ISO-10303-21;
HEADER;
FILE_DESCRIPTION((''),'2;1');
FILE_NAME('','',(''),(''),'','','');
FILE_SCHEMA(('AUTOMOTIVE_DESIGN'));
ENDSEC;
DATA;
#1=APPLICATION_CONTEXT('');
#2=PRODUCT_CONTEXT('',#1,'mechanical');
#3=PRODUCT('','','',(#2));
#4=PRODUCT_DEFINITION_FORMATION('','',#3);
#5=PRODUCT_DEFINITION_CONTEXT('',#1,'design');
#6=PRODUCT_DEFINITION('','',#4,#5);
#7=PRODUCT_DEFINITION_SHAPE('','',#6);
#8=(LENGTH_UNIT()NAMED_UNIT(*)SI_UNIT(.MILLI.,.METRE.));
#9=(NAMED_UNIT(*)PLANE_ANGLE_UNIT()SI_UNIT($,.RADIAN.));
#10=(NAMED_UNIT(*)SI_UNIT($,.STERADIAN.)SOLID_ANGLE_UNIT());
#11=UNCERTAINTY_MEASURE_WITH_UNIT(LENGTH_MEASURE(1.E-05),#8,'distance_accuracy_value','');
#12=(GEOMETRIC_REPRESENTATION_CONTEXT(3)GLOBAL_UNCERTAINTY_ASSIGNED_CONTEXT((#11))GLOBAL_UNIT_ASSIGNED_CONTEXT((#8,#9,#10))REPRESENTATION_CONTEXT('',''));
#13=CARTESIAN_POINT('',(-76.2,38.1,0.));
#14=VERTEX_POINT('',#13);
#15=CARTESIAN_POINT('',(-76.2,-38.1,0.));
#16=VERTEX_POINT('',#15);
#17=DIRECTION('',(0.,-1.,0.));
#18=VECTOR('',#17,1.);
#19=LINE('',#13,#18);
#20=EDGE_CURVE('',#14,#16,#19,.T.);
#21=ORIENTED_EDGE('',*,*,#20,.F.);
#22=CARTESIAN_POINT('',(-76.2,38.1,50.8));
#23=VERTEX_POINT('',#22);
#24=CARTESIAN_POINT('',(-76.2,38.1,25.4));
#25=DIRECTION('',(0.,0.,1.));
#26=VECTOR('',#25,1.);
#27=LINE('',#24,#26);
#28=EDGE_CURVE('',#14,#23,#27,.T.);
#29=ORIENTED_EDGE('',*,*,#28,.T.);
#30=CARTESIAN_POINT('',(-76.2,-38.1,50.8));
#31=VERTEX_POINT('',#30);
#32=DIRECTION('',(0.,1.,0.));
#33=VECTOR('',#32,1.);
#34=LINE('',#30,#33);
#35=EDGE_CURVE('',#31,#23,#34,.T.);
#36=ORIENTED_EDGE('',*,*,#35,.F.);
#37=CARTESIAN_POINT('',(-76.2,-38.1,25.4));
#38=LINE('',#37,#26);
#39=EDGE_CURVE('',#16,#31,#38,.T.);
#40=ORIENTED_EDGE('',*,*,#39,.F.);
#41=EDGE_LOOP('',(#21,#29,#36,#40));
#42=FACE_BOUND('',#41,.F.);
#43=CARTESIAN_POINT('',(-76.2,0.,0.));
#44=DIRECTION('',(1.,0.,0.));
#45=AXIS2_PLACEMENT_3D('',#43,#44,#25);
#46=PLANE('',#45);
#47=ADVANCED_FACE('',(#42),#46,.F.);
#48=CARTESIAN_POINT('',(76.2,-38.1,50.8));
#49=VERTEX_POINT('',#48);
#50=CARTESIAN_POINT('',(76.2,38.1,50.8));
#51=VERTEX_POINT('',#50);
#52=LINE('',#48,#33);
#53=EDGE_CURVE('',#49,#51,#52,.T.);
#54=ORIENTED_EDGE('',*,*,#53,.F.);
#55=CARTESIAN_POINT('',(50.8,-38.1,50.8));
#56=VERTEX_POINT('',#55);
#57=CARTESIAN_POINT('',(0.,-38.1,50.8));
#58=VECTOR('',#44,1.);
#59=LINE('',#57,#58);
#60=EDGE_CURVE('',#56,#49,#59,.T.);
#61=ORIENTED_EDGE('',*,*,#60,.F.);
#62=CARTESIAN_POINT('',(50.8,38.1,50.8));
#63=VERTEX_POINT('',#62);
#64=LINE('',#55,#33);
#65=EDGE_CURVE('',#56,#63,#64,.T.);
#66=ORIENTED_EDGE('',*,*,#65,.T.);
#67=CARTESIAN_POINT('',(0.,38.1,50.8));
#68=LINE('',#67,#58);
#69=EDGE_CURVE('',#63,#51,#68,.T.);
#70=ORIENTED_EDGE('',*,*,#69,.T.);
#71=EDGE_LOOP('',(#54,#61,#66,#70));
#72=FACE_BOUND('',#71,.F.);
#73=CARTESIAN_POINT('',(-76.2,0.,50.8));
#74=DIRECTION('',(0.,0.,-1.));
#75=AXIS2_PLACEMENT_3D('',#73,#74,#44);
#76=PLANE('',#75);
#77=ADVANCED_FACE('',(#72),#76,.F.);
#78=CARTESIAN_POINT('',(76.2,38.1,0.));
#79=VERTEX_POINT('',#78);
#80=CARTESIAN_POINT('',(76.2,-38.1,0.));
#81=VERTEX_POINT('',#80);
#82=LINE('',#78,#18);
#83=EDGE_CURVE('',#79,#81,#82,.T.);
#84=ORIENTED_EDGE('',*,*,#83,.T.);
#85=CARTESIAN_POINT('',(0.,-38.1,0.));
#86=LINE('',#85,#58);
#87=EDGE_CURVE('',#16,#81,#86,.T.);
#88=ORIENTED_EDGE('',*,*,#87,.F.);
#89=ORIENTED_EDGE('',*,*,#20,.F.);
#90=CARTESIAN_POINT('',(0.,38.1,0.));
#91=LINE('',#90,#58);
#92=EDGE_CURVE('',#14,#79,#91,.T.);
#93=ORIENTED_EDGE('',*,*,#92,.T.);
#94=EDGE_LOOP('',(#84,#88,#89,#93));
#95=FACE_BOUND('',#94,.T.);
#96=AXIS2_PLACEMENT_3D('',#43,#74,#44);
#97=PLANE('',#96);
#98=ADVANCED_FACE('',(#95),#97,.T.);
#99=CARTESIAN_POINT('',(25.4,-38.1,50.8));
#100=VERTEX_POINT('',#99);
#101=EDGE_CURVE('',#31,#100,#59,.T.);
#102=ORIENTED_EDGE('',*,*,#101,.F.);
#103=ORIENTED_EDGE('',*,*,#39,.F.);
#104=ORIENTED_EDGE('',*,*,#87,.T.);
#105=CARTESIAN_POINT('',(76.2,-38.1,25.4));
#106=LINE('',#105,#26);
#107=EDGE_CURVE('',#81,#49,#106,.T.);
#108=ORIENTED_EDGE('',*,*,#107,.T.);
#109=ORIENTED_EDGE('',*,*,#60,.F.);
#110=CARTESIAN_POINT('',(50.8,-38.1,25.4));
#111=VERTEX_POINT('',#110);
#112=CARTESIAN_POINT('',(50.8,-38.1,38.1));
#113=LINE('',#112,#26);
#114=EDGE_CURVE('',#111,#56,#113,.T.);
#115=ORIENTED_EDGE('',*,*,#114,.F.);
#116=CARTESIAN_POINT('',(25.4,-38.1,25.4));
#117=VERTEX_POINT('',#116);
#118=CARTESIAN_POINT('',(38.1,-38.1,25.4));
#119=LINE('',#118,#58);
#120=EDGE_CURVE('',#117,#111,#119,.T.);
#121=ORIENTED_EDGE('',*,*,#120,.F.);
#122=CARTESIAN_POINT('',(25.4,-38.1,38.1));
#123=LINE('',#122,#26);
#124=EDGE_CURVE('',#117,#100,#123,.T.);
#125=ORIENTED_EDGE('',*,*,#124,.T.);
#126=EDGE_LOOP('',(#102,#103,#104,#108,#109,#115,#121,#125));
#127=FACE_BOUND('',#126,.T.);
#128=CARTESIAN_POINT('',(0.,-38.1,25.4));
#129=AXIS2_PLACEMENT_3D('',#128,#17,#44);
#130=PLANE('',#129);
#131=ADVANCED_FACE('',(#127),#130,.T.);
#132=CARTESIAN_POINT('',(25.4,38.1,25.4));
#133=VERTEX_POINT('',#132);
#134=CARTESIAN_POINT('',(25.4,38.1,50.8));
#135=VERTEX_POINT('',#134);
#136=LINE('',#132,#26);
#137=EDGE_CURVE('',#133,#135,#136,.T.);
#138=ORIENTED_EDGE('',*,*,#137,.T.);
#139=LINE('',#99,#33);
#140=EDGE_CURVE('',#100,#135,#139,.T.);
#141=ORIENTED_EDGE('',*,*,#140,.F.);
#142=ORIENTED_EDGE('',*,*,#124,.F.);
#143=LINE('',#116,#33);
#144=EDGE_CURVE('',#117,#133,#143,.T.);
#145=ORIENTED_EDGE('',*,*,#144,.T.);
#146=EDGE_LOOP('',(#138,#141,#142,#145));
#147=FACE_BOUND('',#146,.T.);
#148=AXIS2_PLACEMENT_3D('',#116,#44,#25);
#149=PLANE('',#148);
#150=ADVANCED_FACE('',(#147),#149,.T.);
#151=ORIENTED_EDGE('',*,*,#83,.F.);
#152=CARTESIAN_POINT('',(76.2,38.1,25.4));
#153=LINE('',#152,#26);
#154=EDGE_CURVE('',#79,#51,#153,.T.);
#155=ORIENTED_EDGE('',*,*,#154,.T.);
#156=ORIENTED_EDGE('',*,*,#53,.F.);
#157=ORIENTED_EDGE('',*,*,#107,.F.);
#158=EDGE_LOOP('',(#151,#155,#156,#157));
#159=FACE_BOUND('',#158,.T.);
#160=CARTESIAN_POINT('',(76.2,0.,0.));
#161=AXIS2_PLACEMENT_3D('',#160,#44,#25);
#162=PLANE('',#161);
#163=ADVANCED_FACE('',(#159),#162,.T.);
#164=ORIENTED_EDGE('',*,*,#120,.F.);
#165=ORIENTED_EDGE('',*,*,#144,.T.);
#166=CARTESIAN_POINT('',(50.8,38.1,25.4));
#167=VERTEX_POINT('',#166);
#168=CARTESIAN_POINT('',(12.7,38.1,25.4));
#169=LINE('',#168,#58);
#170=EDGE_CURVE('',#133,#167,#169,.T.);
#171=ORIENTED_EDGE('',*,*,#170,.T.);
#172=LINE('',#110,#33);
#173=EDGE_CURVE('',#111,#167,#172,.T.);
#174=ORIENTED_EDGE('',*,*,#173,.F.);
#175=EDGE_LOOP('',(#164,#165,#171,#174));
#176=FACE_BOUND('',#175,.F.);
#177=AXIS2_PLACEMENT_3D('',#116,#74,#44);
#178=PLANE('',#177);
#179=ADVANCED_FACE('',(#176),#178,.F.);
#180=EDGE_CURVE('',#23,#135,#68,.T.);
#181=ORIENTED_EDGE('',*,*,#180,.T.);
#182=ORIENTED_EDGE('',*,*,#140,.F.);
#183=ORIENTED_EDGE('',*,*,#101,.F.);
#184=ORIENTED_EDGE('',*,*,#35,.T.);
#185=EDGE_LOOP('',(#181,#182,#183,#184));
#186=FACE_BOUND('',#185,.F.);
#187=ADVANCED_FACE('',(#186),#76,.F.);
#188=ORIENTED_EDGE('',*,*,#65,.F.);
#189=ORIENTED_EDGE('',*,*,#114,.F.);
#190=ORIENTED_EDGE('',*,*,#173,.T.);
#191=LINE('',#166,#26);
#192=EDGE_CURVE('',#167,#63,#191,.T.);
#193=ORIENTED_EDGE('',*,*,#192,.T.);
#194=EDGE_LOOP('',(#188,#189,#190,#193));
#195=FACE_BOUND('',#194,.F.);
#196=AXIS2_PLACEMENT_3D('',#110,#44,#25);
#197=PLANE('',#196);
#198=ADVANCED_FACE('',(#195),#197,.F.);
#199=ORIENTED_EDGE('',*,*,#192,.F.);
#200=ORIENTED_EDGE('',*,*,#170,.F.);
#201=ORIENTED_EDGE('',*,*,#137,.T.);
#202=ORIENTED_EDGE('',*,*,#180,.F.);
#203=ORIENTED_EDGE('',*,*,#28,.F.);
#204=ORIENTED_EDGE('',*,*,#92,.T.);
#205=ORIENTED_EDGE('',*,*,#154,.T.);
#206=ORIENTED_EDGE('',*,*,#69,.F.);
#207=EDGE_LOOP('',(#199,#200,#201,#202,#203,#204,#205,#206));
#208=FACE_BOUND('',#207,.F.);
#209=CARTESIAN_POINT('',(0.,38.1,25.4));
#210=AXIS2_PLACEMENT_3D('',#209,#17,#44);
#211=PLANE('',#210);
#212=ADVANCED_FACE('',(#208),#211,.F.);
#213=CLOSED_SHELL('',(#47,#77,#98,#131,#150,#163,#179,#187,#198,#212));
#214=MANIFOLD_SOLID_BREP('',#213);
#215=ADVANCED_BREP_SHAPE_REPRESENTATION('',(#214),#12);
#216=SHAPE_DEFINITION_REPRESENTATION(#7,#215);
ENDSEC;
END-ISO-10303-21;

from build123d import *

# Parameters (mm, degrees)
F0_W     = 152.4
F0_H     = 50.8
F1_DEPTH = 38.1
F2_W     = 25.4
F2_H     = 25.4
F3_DEPTH = 76.201


with BuildPart() as f1:
    # F0 (on Front) → F1 (new body, symmetric)
    with BuildSketch(Plane.XZ):
        with Locations((0, 25.4)):
            Rectangle(F0_W, F0_H)
    extrude(amount=F1_DEPTH, both=True)

    # F2 (on face) → F3 (cut, through all)
    with BuildSketch(Plane.XZ.offset(38.1)):
        with Locations((38.1, 38.1)):
            Rectangle(F2_W, F2_H)
    extrude(amount=-F3_DEPTH, mode=Mode.SUBTRACT)


solid = f1.part
